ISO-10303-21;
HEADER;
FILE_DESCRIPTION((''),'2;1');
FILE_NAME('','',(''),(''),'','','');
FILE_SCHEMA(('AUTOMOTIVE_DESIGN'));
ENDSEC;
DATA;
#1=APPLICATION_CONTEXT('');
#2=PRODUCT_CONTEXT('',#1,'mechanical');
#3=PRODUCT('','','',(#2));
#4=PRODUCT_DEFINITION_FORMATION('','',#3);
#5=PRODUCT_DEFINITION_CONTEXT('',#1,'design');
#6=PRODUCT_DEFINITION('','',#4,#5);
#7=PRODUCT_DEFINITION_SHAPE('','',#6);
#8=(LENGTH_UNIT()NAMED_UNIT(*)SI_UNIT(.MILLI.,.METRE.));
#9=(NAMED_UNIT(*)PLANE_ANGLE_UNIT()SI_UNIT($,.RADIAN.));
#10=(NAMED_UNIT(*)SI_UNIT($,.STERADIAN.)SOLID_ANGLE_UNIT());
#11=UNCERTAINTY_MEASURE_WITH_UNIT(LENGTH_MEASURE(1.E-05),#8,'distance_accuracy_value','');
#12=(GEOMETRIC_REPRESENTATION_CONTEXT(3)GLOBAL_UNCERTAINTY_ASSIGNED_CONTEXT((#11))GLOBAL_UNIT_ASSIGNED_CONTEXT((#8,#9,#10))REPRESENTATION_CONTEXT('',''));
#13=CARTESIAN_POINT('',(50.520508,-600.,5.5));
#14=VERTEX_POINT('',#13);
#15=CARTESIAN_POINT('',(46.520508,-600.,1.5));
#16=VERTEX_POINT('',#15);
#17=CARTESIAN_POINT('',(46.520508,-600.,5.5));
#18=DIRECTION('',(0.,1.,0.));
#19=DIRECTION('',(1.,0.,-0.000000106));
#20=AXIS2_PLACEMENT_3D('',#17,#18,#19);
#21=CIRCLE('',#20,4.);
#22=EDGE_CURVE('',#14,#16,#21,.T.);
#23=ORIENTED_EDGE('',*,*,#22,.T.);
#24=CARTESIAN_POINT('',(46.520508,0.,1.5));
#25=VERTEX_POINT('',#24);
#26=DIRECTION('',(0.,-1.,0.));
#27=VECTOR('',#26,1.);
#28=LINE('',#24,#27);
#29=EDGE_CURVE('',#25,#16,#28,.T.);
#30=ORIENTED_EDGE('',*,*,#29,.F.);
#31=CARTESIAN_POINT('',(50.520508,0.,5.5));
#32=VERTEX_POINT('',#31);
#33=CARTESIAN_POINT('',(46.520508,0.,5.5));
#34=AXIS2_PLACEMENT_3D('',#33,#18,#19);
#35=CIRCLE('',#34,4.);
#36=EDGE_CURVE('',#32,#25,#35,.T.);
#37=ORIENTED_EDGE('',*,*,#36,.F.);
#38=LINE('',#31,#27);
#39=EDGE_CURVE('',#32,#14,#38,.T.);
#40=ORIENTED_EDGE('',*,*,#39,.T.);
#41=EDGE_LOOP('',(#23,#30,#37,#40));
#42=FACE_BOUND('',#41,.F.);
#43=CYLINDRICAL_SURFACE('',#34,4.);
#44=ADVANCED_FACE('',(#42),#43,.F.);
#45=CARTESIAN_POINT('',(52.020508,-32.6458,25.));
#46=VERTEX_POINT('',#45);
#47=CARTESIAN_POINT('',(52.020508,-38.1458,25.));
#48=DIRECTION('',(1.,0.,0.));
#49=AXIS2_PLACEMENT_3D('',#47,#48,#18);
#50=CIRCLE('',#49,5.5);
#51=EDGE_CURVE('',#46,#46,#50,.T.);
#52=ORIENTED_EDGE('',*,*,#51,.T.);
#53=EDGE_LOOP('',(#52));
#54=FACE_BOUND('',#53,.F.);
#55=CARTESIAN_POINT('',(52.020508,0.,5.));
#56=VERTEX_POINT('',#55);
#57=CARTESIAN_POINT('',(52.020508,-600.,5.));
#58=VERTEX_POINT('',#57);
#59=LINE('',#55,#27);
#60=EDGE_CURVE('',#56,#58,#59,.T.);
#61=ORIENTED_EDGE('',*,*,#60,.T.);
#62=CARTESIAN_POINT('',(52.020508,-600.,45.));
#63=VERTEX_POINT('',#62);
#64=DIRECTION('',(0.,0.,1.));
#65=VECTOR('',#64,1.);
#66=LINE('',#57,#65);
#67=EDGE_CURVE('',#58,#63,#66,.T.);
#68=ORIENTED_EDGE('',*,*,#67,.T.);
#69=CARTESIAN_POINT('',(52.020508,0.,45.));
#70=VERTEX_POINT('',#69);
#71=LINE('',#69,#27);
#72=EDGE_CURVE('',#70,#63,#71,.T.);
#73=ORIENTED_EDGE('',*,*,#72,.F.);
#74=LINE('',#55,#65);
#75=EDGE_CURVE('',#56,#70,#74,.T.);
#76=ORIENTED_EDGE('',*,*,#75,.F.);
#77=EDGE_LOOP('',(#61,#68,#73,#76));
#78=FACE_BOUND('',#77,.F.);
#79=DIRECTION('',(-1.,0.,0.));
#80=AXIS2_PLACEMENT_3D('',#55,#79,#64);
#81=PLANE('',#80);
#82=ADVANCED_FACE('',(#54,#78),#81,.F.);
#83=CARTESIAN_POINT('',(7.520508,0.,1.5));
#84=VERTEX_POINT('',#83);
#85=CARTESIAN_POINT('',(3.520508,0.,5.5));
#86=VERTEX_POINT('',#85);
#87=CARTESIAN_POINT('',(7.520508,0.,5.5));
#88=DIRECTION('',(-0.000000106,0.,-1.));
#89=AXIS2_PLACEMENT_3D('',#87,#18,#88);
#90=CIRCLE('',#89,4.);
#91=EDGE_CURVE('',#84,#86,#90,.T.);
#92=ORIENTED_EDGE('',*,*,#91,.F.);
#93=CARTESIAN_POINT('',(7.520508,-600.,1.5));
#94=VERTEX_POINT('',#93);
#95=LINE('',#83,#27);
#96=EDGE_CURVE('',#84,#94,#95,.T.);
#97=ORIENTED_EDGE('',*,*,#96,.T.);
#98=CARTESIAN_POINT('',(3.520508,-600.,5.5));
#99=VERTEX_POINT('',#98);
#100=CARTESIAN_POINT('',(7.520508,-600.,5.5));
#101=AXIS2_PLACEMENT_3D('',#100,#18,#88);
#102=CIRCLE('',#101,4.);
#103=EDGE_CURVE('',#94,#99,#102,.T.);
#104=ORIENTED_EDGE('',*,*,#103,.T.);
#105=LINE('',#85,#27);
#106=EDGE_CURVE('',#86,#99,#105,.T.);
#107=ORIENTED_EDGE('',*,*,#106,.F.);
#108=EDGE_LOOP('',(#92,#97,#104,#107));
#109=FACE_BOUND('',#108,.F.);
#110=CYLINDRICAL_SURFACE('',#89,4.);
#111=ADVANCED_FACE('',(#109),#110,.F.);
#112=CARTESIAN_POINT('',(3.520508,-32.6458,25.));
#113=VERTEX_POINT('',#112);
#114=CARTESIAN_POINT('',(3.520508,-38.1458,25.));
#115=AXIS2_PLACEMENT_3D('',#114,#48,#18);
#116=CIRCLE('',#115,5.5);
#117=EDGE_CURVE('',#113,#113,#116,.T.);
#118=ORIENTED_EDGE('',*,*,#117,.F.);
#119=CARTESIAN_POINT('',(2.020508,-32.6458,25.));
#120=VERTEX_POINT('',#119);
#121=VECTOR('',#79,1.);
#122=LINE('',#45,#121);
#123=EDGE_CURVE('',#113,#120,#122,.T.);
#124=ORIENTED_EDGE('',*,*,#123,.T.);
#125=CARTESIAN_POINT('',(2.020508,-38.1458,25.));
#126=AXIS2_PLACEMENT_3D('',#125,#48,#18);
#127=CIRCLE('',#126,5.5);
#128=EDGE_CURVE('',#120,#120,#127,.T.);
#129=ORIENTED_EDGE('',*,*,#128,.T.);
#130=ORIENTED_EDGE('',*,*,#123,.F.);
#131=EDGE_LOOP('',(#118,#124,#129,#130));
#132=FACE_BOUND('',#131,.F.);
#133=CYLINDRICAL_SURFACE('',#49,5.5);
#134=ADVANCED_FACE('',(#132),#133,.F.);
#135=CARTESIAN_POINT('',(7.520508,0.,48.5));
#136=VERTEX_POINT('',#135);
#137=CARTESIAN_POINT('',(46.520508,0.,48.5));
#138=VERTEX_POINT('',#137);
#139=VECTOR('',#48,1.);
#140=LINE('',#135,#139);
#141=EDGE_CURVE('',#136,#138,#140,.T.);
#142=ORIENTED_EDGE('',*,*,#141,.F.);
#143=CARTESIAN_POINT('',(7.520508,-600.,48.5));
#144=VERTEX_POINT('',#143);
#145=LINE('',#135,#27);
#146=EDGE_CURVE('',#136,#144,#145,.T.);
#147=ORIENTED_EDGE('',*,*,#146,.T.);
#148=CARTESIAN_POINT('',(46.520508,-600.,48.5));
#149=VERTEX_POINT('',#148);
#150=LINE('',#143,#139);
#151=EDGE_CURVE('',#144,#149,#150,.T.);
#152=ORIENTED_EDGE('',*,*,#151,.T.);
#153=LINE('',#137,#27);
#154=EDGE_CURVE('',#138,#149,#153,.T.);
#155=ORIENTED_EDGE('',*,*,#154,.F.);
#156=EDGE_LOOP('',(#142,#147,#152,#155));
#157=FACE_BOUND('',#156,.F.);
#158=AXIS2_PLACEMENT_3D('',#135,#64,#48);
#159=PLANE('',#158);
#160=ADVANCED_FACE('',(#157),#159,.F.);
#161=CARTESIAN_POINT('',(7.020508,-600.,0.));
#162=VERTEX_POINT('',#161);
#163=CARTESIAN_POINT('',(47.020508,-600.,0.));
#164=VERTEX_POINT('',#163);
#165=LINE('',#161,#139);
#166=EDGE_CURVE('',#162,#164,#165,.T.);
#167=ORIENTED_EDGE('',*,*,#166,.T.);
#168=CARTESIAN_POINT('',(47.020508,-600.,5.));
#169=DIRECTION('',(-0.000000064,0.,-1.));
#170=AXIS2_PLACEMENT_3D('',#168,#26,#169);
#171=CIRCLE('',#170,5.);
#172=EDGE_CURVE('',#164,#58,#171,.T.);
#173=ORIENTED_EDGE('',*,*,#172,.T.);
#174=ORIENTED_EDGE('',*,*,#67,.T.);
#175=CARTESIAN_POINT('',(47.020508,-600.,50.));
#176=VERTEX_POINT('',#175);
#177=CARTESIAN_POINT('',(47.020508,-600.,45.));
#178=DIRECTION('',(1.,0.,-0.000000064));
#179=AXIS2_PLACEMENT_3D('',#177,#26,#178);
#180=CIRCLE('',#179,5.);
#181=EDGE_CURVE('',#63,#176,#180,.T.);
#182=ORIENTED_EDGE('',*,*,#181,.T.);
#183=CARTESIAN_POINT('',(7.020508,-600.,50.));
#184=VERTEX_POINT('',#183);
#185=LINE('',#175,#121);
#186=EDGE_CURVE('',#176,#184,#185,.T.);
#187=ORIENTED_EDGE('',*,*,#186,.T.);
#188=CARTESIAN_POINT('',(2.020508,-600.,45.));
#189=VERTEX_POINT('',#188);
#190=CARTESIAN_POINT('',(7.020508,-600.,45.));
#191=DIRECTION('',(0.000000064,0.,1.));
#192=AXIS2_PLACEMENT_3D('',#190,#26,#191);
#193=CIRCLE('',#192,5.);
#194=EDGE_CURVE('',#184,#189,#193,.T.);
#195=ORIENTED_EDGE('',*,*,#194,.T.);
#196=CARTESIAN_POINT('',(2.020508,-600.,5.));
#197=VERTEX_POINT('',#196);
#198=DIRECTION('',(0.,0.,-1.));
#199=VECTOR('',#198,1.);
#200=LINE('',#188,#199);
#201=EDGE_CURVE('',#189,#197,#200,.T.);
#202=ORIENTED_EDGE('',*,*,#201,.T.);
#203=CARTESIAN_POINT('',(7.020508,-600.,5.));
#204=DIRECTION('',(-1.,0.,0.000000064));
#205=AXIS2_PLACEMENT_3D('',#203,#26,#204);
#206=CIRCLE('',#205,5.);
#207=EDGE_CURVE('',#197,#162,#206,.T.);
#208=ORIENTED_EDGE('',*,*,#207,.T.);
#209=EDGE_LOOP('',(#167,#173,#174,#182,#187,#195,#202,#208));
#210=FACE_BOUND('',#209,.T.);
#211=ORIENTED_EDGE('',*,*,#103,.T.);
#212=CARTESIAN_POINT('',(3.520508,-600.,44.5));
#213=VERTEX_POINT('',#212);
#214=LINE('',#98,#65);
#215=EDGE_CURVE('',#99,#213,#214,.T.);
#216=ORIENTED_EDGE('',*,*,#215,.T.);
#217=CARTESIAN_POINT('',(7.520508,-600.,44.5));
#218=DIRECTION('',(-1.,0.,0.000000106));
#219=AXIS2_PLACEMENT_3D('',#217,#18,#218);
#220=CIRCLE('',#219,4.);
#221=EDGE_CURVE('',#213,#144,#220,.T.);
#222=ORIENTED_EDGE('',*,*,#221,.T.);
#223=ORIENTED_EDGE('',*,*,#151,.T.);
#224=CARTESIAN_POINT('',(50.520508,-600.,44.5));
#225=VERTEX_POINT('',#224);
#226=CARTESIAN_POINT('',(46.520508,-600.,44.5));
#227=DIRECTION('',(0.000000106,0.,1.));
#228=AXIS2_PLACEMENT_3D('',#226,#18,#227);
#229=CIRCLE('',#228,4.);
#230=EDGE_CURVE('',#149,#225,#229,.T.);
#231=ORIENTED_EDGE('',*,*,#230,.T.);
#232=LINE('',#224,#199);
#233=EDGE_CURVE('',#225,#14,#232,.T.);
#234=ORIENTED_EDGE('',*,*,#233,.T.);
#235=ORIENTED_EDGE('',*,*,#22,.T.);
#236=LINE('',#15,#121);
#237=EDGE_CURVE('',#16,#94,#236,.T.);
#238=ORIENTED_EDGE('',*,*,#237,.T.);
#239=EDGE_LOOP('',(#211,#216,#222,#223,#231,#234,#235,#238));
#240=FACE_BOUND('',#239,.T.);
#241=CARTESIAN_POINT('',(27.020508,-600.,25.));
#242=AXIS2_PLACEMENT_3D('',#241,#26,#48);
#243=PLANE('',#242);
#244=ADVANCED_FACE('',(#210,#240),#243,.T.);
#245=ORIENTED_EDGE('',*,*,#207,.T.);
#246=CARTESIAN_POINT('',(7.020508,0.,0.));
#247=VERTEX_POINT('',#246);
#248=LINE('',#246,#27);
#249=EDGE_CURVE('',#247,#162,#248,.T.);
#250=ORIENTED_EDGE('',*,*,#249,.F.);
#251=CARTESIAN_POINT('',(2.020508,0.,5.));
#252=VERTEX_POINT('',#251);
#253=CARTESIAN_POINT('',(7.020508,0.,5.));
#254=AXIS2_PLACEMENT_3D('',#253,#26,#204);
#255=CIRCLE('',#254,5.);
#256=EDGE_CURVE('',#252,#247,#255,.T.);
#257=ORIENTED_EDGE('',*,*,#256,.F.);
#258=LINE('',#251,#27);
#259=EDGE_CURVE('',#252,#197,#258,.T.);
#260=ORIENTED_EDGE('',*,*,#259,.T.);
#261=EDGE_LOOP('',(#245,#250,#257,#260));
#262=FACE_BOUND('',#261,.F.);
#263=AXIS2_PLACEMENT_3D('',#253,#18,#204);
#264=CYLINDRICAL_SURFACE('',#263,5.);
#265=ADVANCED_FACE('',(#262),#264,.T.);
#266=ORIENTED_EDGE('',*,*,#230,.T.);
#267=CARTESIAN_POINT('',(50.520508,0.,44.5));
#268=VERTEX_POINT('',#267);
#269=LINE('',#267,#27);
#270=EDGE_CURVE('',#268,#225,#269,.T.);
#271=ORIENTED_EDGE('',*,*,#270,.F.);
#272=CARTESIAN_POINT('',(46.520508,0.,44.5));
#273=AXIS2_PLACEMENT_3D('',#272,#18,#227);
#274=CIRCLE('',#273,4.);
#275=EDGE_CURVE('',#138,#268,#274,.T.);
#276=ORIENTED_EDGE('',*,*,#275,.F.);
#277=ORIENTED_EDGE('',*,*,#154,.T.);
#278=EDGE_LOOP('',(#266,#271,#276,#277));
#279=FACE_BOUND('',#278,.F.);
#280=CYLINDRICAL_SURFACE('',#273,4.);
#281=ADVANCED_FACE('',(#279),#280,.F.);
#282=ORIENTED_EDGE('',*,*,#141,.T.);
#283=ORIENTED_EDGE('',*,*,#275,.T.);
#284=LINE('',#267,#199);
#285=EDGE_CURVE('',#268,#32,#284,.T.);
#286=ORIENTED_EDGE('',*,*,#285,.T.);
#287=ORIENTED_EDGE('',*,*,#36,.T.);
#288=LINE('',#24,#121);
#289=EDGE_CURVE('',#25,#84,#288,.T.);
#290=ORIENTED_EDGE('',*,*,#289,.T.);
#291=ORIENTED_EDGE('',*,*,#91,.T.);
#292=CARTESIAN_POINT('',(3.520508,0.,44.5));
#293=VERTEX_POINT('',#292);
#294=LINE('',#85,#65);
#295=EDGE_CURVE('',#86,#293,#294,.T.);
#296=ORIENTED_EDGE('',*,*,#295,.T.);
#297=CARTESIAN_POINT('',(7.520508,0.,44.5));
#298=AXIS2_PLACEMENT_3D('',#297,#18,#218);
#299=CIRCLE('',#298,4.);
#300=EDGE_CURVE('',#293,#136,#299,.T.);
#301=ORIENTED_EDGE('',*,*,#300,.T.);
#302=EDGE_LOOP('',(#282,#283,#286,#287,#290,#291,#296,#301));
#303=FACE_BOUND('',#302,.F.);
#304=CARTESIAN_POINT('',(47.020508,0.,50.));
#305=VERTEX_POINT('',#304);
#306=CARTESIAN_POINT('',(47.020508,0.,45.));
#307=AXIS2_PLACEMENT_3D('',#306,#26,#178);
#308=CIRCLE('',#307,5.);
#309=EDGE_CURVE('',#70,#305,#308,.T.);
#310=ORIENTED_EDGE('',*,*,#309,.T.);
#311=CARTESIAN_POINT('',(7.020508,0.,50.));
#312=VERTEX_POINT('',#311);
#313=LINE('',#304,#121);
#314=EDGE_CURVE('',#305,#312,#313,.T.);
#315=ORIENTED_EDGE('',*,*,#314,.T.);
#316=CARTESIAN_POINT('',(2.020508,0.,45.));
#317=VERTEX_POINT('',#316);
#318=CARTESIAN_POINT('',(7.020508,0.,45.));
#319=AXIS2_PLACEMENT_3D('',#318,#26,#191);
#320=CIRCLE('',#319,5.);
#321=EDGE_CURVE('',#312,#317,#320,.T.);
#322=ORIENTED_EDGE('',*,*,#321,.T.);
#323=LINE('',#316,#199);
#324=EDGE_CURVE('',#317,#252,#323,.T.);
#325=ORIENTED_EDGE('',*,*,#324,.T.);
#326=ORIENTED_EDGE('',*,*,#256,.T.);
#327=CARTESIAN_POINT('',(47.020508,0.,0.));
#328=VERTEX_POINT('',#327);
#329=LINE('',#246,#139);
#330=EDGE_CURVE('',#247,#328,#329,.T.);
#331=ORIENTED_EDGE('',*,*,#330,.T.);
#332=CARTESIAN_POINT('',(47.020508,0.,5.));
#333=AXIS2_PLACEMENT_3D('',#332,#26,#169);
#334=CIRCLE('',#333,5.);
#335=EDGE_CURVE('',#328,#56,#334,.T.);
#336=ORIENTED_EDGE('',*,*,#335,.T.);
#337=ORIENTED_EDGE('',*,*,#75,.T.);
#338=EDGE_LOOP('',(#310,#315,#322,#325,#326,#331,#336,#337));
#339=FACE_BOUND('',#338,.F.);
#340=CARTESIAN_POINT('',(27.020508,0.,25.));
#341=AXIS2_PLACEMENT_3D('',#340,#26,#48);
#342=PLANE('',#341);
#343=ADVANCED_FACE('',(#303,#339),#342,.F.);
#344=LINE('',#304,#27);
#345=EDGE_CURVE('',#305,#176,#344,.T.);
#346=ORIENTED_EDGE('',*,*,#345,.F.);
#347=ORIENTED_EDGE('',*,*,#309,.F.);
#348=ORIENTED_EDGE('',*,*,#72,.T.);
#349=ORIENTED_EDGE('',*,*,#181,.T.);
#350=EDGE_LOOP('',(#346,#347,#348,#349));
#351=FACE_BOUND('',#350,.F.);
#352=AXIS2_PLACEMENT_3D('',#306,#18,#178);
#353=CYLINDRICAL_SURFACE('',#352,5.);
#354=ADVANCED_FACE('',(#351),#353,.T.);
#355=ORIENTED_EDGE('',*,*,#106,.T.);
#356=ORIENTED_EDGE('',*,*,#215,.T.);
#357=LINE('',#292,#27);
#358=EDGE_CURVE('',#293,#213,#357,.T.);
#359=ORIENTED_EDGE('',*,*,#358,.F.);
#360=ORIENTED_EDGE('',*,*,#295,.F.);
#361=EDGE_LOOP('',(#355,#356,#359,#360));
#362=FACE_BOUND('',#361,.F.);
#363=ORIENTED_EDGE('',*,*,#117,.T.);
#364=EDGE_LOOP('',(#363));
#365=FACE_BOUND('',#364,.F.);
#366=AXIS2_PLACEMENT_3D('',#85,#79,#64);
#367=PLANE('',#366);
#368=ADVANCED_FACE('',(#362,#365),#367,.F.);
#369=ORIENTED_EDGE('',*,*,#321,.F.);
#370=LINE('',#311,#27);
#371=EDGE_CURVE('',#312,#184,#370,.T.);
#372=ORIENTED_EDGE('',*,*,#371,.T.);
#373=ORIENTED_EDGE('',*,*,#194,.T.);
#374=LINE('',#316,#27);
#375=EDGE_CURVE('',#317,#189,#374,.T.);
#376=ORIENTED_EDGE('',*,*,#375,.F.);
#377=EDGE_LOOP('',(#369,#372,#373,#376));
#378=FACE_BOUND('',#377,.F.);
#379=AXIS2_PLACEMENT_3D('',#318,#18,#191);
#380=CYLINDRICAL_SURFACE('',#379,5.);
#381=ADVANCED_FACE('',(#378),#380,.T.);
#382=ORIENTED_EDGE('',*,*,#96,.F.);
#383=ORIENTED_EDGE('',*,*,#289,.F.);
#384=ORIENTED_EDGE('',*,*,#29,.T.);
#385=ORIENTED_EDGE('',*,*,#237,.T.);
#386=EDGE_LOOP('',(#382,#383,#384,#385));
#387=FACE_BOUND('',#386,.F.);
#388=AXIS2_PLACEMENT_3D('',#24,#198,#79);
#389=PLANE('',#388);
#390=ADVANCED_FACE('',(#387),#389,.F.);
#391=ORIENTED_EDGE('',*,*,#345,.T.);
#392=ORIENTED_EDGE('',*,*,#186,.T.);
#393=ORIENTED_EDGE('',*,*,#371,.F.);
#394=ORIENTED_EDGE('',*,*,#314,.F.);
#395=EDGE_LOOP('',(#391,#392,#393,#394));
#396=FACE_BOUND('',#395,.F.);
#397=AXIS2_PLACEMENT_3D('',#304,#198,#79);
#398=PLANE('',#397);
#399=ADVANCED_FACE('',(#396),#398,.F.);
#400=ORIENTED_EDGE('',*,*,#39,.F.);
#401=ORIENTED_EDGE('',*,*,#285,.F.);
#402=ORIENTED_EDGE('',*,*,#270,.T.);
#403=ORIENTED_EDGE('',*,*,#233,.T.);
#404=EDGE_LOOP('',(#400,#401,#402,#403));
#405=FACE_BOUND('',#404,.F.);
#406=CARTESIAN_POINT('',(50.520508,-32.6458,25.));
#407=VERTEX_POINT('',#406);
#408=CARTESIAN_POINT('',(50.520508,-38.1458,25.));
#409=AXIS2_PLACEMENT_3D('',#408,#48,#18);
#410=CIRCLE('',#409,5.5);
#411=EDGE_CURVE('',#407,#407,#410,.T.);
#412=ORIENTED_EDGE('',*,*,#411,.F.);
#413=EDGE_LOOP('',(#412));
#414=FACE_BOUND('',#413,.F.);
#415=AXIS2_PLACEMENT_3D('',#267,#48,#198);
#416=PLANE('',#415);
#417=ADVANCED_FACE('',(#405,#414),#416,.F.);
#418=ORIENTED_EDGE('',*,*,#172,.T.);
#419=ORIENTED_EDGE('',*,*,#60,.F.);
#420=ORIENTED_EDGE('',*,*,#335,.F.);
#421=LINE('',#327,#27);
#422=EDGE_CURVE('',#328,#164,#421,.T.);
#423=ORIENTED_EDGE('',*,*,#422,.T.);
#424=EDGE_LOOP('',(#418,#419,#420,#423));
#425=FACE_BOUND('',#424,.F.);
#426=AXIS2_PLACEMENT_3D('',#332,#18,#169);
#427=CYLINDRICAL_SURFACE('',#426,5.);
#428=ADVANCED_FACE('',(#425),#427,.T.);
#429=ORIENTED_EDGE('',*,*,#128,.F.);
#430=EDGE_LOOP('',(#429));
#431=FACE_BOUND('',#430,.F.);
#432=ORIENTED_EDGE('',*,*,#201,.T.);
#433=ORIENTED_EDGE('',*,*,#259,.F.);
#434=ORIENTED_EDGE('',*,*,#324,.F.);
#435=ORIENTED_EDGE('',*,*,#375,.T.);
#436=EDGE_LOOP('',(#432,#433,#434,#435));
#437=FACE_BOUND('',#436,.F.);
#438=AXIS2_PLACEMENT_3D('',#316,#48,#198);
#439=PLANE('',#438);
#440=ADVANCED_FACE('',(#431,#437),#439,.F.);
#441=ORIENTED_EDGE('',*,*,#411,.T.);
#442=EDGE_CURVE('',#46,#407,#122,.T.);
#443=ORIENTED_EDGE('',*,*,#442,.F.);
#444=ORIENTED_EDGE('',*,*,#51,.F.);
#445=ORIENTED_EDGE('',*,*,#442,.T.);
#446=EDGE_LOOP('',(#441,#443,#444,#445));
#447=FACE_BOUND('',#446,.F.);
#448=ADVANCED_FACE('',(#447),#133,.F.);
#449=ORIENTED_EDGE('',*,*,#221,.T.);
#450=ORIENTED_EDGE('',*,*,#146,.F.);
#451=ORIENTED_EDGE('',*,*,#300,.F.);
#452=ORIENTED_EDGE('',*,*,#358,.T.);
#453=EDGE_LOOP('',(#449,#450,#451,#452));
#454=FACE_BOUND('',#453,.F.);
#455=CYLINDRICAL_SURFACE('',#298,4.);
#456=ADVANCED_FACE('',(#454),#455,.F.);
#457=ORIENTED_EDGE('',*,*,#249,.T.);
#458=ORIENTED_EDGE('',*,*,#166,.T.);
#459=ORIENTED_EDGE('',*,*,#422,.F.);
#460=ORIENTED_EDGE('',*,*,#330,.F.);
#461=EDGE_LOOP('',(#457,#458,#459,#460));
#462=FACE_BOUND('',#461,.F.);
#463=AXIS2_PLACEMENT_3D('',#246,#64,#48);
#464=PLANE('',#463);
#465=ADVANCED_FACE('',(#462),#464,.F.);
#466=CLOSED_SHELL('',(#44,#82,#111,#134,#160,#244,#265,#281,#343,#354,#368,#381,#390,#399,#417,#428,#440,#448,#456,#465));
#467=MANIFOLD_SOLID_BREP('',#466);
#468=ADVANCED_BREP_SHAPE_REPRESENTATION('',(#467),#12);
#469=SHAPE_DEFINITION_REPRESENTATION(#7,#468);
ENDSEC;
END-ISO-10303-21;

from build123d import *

# Parameters (mm, degrees)
F1_DEPTH = 600
F2_R     = 5.5
F3_DEPTH = 100


with BuildPart() as f1:
    # F0 (on Front) → F1 (new body)
    with BuildSketch(Plane.XZ):
        with BuildLine():
            ThreePointArc((2.020508, 5), (3.484974, 1.464466), (7.020508, 0))
            Line((7.020508, 0), (47.020508, 0))
            ThreePointArc((47.020508, 0), (50.556042, 1.464466), (52.020508, 5))
            Line((52.020508, 5), (52.020508, 45))
            ThreePointArc((52.020508, 45), (50.556042, 48.535534), (47.020508, 50))
            Line((47.020508, 50), (7.020508, 50))
            ThreePointArc((7.020508, 50), (3.484974, 48.535534), (2.020508, 45))
            Line((2.020508, 45), (2.020508, 5))
        make_face()
        with BuildLine():
            ThreePointArc((7.520508, 1.5), (4.692081, 2.671573), (3.520508, 5.5))
            Line((3.520508, 5.5), (3.520508, 44.5))
            ThreePointArc((3.520508, 44.5), (4.692081, 47.328427), (7.520508, 48.5))
            Line((7.520508, 48.5), (46.520508, 48.5))
            ThreePointArc((46.520508, 48.5), (49.348935, 47.328427), (50.520508, 44.5))
            Line((50.520508, 44.5), (50.520508, 5.5))
            ThreePointArc((50.520508, 5.5), (49.348935, 2.671573), (46.520508, 1.5))
            Line((46.520508, 1.5), (7.520508, 1.5))
        make_face(mode=Mode.SUBTRACT)
    extrude(amount=F1_DEPTH)

    # F2 (on face) → F3 (cut)
    with BuildSketch(Plane.YZ.offset(52.020508)):
        with Locations((-38.1458, 25)):
            Circle(F2_R)
    extrude(amount=-F3_DEPTH, mode=Mode.SUBTRACT)


solid = f1.part
